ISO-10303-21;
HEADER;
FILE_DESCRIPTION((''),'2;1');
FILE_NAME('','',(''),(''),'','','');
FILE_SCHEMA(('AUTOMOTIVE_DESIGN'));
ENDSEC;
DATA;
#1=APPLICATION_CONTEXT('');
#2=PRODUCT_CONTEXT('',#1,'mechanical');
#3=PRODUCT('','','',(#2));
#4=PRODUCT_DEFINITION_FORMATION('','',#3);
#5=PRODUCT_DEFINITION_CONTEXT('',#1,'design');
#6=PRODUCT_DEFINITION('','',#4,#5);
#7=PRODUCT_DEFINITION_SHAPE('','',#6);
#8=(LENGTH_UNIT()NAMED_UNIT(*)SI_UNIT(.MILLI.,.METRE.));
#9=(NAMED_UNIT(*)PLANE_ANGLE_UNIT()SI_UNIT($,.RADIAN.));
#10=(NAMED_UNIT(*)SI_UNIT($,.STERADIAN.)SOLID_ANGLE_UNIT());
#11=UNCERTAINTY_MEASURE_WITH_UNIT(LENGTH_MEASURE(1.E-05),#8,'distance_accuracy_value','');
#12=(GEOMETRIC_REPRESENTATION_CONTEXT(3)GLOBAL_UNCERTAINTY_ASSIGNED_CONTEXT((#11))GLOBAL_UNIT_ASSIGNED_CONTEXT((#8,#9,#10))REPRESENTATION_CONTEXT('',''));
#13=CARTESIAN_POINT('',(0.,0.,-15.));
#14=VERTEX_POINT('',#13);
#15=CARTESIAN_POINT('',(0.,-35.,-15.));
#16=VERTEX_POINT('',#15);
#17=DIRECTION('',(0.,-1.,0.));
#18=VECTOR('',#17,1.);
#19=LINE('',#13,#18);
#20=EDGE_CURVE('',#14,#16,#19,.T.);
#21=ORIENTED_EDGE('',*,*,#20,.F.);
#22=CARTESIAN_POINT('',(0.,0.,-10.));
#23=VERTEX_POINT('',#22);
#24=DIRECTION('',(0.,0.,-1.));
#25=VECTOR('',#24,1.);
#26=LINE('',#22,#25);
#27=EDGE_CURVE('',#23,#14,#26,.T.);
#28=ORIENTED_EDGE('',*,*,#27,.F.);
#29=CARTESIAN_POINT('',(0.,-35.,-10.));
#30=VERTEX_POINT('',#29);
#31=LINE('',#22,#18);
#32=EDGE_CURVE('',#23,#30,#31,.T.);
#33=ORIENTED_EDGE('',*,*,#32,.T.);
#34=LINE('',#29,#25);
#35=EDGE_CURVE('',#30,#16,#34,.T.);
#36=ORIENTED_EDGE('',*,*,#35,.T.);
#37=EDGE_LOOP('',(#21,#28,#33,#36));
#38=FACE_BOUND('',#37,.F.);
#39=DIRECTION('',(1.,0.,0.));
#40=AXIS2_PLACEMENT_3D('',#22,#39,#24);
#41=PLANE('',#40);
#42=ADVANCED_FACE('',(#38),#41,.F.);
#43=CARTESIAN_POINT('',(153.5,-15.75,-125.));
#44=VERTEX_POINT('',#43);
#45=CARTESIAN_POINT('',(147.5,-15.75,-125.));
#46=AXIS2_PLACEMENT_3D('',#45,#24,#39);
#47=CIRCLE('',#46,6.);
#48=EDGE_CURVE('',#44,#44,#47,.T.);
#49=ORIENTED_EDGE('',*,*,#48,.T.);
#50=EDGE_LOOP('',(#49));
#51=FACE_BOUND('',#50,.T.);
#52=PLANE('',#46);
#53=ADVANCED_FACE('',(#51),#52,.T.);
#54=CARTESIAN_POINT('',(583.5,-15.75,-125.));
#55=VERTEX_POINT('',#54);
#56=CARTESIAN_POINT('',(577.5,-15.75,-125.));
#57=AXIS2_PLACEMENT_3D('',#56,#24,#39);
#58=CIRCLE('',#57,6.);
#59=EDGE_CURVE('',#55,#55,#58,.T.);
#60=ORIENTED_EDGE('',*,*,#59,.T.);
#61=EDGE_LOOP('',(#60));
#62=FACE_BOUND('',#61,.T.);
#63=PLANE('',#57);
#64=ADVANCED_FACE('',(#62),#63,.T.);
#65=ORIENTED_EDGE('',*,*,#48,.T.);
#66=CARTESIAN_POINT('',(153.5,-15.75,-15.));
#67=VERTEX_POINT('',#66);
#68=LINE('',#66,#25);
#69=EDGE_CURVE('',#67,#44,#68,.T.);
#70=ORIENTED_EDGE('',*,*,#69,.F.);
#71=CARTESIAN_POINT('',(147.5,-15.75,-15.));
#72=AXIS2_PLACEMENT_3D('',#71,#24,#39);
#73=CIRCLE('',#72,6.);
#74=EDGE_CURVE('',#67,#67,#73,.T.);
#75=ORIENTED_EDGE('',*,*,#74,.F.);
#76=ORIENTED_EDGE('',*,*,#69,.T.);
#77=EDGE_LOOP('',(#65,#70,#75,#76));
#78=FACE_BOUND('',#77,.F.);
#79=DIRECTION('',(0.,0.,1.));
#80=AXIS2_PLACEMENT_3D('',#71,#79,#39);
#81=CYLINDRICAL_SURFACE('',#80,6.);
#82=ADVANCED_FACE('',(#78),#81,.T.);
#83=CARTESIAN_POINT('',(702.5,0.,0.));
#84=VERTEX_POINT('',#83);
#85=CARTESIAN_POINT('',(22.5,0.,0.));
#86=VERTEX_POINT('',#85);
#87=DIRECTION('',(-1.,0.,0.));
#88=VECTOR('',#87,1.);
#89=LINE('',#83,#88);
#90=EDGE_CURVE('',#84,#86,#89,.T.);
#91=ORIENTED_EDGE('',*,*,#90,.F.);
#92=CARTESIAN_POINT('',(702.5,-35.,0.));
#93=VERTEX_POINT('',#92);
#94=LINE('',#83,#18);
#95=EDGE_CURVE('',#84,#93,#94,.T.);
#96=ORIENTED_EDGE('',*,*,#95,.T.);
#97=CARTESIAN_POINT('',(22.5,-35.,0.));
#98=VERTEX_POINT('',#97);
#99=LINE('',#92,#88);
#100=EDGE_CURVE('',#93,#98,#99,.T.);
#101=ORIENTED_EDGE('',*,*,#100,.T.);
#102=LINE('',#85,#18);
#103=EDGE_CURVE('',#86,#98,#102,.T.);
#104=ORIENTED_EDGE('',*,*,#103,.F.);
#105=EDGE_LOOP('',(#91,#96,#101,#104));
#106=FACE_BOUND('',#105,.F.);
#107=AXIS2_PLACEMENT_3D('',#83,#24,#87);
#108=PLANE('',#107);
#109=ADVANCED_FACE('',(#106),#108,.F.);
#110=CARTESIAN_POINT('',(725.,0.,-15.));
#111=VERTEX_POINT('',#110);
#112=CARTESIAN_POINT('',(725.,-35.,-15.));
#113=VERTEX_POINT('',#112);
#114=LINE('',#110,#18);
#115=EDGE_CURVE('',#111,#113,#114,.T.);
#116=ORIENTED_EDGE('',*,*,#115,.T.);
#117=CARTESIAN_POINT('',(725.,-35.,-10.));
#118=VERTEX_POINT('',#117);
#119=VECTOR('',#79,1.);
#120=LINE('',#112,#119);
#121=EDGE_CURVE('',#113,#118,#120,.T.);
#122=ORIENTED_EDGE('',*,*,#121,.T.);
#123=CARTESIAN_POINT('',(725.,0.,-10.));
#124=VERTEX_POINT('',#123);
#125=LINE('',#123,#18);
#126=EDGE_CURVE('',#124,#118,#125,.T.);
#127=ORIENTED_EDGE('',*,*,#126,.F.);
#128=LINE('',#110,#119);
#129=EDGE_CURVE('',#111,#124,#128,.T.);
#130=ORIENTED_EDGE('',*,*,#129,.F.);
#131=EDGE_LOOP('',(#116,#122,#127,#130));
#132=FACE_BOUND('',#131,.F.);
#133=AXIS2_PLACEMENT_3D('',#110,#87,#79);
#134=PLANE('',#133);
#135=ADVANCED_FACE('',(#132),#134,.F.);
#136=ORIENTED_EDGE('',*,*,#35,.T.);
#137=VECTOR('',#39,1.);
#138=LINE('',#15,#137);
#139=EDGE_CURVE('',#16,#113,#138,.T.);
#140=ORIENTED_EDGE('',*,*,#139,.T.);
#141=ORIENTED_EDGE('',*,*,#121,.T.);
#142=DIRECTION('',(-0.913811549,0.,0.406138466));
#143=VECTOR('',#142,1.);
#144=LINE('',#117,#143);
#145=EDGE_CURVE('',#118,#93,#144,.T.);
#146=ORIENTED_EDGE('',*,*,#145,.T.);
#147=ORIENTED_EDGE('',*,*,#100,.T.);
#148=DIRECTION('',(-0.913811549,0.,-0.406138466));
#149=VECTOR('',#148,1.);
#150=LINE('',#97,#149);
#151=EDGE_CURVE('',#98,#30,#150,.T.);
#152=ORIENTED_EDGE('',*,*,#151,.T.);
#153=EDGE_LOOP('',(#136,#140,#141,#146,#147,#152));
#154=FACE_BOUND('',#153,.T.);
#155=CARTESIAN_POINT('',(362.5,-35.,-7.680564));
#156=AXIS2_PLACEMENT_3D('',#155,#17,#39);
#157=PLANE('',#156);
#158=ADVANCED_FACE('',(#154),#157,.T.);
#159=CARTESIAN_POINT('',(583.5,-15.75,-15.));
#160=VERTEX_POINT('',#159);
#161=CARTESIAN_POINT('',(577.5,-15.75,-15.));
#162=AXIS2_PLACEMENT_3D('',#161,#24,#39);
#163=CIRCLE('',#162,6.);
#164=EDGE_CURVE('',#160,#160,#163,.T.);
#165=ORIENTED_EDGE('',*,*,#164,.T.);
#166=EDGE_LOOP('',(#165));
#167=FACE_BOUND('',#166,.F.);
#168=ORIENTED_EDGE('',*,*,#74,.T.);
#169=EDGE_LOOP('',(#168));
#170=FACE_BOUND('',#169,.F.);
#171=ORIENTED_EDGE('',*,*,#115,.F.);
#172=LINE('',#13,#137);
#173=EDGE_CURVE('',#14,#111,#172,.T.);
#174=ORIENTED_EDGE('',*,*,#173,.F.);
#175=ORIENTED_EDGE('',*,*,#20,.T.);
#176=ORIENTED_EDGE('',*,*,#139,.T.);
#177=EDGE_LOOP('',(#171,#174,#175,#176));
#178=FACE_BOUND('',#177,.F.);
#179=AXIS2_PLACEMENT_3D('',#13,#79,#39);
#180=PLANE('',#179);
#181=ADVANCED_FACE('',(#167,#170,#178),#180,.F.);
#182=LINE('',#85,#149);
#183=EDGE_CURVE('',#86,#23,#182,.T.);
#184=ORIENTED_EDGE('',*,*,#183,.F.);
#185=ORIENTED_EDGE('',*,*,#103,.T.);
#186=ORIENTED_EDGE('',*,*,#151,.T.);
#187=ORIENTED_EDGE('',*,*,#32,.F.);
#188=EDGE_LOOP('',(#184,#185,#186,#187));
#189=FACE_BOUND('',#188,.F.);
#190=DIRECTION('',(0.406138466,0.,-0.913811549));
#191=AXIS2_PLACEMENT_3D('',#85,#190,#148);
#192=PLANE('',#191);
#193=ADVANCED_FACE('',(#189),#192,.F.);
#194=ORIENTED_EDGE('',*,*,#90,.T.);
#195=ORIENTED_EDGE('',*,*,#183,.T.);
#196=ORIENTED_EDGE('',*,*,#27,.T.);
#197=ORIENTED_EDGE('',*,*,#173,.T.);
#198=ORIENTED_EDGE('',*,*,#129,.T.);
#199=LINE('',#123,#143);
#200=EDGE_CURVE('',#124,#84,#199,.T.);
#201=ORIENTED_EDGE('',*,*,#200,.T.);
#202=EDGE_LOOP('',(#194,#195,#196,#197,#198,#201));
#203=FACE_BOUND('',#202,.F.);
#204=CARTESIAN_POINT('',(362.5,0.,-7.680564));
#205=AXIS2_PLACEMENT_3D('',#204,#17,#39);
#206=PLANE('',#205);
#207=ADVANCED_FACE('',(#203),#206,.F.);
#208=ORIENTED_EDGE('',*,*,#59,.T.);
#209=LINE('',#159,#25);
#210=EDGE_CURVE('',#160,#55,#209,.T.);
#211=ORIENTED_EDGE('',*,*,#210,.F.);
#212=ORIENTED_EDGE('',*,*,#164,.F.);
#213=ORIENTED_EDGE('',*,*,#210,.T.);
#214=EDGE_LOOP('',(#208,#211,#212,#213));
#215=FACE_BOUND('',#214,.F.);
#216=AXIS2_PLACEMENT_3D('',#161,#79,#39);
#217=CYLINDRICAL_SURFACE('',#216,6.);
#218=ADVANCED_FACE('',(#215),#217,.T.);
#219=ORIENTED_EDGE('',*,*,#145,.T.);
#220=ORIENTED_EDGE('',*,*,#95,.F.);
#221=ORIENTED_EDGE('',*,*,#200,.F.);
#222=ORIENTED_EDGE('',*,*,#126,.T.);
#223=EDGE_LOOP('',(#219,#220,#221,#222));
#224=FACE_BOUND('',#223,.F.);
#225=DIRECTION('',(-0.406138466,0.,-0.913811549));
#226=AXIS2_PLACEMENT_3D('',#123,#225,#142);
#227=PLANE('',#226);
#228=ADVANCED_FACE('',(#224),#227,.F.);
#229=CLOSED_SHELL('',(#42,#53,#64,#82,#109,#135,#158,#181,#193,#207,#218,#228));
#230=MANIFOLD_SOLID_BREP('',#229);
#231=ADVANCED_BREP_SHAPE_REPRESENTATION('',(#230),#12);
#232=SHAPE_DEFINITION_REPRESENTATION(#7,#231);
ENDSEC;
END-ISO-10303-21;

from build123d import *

# Parameters (mm, degrees)
F1_DEPTH = 35
F2_R     = 6
F3_DEPTH = 110


with BuildPart() as f1:
    # F0 (on Front) → F1 (new body)
    with BuildSketch(Plane.XZ):
        Polygon((702.5, 0), (22.5, 0), (0, -10), (0, -15), (725, -15), (725, -10), align=None)
    extrude(amount=F1_DEPTH)

    # F2 (on face) → F3 (join)
    with BuildSketch(Plane(origin=(0, 0, -15), x_dir=(1, 0, 0), z_dir=(0, 0, -1))):
        with Locations((147.5, 15.75)):
            Circle(F2_R)
        with Locations((577.5, 15.75)):
            Circle(F2_R)
    extrude(amount=F3_DEPTH)


solid = f1.part
